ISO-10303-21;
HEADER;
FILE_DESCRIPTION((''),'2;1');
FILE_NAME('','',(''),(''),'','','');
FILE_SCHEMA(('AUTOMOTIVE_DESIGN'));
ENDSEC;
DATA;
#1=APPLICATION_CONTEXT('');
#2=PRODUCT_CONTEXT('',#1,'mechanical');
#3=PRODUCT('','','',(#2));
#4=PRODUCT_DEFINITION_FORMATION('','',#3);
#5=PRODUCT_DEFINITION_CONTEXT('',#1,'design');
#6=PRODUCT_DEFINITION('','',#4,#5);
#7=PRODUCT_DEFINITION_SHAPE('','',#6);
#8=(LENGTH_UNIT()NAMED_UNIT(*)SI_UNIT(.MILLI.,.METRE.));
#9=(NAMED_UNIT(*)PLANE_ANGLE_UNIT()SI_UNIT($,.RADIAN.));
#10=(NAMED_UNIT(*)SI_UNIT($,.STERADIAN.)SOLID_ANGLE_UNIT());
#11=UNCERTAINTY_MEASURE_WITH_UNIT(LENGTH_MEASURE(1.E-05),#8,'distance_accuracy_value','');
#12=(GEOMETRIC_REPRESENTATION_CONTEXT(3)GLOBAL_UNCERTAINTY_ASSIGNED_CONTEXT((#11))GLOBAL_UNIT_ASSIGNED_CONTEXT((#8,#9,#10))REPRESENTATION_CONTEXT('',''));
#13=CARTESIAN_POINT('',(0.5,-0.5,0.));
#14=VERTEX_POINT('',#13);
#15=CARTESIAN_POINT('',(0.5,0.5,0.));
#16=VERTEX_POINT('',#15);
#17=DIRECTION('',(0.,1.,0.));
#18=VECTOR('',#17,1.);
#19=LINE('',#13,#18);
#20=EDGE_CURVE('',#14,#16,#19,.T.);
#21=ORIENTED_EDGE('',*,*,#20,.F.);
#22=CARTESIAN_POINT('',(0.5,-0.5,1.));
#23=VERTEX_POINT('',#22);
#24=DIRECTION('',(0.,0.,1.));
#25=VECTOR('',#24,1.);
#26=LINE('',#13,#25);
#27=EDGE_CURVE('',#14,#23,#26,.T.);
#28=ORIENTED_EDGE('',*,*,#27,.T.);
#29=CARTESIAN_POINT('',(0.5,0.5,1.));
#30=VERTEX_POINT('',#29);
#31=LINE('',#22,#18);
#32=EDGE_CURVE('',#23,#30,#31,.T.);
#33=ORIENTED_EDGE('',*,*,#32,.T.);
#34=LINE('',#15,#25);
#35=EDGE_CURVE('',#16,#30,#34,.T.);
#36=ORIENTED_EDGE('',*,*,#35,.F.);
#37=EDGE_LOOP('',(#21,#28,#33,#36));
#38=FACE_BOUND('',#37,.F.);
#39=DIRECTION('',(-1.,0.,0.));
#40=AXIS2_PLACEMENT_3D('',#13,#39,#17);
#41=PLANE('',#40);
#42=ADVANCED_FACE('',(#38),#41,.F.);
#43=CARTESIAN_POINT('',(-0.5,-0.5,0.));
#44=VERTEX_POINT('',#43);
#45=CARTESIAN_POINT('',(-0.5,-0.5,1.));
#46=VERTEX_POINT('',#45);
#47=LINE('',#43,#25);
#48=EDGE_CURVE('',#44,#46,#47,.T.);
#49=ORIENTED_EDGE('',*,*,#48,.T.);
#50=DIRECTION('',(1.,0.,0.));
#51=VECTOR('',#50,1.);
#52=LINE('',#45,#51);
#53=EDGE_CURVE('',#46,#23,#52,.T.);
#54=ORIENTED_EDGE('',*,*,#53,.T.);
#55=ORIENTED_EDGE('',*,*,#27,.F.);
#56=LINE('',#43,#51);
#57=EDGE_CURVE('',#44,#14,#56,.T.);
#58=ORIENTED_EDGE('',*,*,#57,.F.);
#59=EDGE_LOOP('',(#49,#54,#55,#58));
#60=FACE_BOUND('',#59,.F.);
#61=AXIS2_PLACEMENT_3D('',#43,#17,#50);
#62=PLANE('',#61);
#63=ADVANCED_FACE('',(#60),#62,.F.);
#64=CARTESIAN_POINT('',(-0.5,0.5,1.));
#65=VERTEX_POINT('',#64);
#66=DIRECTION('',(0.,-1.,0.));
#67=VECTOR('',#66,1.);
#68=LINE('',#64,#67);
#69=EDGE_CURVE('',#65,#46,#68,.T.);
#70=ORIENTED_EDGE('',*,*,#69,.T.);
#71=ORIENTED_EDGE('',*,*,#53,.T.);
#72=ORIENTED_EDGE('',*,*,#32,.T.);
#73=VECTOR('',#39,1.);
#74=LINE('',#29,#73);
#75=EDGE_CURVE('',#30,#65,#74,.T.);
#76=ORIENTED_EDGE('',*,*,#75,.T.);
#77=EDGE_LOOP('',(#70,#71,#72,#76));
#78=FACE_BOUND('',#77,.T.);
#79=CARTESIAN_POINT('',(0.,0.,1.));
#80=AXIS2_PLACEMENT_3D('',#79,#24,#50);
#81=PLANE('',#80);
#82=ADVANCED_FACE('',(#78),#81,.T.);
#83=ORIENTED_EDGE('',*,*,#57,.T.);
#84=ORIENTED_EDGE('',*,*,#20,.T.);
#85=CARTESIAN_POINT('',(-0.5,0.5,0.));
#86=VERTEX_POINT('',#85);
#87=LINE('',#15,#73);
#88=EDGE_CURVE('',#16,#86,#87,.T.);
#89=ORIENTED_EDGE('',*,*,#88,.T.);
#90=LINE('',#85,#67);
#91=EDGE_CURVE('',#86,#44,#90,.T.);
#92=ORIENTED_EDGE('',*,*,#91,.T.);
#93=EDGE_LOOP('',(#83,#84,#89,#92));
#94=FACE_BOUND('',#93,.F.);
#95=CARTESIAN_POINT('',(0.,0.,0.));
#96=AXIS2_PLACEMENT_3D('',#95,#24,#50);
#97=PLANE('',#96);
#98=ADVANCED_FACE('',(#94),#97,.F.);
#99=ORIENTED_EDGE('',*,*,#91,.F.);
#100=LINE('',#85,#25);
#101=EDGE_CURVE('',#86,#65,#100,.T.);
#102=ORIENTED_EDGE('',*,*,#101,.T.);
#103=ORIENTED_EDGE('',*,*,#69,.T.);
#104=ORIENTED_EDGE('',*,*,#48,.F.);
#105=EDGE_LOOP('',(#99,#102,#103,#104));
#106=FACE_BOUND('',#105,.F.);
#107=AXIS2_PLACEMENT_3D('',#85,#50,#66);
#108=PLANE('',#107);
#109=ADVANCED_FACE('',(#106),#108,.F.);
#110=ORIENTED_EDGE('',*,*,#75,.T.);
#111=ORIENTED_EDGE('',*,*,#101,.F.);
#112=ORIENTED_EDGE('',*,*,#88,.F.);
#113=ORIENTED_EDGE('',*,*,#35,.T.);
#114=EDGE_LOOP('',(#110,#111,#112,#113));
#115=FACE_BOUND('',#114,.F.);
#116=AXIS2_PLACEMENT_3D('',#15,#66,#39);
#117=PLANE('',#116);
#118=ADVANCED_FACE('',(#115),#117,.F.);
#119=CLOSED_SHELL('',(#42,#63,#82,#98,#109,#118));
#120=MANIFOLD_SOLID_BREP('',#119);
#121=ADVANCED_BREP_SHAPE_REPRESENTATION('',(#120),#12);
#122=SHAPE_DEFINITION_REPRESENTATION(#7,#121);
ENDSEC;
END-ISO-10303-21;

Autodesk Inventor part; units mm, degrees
ref_plane "YZ Plane" through (0, 0, 0) normal (1, 0, 0) x (0, 1, 0)
ref_plane "XZ Plane" through (0, 0, 0) normal (0, 1, 0) x (-1, 0, 0)
ref_plane "XY Plane" through (0, 0, 0) normal (0, 0, 1) x (1, 0, 0)
sketch "Skizze1" plane through (0, 0, 0) normal (0, 0, 1) x (1, 0, 0)
  line L0 (-0.5, -0.5) -> (0.5, -0.5)
  line L1 (0.5, -0.5) -> (0.5, 0.5)
  line L2 (0.5, 0.5) -> (-0.5, 0.5)
  line L3 (-0.5, 0.5) -> (-0.5, -0.5)
  line L4 (-0.5, -0.5) -> (0.5, 0.5) construction
  line L5 (0.5, -0.5) -> (-0.5, 0.5) construction
  point P0 (0, 0)
  dimension "d0" = 1
  dimension "d1" = 1
extrude "Extrusion1" add sketch "Skizze1" along normal blind 1
properties part number "1_Step"
